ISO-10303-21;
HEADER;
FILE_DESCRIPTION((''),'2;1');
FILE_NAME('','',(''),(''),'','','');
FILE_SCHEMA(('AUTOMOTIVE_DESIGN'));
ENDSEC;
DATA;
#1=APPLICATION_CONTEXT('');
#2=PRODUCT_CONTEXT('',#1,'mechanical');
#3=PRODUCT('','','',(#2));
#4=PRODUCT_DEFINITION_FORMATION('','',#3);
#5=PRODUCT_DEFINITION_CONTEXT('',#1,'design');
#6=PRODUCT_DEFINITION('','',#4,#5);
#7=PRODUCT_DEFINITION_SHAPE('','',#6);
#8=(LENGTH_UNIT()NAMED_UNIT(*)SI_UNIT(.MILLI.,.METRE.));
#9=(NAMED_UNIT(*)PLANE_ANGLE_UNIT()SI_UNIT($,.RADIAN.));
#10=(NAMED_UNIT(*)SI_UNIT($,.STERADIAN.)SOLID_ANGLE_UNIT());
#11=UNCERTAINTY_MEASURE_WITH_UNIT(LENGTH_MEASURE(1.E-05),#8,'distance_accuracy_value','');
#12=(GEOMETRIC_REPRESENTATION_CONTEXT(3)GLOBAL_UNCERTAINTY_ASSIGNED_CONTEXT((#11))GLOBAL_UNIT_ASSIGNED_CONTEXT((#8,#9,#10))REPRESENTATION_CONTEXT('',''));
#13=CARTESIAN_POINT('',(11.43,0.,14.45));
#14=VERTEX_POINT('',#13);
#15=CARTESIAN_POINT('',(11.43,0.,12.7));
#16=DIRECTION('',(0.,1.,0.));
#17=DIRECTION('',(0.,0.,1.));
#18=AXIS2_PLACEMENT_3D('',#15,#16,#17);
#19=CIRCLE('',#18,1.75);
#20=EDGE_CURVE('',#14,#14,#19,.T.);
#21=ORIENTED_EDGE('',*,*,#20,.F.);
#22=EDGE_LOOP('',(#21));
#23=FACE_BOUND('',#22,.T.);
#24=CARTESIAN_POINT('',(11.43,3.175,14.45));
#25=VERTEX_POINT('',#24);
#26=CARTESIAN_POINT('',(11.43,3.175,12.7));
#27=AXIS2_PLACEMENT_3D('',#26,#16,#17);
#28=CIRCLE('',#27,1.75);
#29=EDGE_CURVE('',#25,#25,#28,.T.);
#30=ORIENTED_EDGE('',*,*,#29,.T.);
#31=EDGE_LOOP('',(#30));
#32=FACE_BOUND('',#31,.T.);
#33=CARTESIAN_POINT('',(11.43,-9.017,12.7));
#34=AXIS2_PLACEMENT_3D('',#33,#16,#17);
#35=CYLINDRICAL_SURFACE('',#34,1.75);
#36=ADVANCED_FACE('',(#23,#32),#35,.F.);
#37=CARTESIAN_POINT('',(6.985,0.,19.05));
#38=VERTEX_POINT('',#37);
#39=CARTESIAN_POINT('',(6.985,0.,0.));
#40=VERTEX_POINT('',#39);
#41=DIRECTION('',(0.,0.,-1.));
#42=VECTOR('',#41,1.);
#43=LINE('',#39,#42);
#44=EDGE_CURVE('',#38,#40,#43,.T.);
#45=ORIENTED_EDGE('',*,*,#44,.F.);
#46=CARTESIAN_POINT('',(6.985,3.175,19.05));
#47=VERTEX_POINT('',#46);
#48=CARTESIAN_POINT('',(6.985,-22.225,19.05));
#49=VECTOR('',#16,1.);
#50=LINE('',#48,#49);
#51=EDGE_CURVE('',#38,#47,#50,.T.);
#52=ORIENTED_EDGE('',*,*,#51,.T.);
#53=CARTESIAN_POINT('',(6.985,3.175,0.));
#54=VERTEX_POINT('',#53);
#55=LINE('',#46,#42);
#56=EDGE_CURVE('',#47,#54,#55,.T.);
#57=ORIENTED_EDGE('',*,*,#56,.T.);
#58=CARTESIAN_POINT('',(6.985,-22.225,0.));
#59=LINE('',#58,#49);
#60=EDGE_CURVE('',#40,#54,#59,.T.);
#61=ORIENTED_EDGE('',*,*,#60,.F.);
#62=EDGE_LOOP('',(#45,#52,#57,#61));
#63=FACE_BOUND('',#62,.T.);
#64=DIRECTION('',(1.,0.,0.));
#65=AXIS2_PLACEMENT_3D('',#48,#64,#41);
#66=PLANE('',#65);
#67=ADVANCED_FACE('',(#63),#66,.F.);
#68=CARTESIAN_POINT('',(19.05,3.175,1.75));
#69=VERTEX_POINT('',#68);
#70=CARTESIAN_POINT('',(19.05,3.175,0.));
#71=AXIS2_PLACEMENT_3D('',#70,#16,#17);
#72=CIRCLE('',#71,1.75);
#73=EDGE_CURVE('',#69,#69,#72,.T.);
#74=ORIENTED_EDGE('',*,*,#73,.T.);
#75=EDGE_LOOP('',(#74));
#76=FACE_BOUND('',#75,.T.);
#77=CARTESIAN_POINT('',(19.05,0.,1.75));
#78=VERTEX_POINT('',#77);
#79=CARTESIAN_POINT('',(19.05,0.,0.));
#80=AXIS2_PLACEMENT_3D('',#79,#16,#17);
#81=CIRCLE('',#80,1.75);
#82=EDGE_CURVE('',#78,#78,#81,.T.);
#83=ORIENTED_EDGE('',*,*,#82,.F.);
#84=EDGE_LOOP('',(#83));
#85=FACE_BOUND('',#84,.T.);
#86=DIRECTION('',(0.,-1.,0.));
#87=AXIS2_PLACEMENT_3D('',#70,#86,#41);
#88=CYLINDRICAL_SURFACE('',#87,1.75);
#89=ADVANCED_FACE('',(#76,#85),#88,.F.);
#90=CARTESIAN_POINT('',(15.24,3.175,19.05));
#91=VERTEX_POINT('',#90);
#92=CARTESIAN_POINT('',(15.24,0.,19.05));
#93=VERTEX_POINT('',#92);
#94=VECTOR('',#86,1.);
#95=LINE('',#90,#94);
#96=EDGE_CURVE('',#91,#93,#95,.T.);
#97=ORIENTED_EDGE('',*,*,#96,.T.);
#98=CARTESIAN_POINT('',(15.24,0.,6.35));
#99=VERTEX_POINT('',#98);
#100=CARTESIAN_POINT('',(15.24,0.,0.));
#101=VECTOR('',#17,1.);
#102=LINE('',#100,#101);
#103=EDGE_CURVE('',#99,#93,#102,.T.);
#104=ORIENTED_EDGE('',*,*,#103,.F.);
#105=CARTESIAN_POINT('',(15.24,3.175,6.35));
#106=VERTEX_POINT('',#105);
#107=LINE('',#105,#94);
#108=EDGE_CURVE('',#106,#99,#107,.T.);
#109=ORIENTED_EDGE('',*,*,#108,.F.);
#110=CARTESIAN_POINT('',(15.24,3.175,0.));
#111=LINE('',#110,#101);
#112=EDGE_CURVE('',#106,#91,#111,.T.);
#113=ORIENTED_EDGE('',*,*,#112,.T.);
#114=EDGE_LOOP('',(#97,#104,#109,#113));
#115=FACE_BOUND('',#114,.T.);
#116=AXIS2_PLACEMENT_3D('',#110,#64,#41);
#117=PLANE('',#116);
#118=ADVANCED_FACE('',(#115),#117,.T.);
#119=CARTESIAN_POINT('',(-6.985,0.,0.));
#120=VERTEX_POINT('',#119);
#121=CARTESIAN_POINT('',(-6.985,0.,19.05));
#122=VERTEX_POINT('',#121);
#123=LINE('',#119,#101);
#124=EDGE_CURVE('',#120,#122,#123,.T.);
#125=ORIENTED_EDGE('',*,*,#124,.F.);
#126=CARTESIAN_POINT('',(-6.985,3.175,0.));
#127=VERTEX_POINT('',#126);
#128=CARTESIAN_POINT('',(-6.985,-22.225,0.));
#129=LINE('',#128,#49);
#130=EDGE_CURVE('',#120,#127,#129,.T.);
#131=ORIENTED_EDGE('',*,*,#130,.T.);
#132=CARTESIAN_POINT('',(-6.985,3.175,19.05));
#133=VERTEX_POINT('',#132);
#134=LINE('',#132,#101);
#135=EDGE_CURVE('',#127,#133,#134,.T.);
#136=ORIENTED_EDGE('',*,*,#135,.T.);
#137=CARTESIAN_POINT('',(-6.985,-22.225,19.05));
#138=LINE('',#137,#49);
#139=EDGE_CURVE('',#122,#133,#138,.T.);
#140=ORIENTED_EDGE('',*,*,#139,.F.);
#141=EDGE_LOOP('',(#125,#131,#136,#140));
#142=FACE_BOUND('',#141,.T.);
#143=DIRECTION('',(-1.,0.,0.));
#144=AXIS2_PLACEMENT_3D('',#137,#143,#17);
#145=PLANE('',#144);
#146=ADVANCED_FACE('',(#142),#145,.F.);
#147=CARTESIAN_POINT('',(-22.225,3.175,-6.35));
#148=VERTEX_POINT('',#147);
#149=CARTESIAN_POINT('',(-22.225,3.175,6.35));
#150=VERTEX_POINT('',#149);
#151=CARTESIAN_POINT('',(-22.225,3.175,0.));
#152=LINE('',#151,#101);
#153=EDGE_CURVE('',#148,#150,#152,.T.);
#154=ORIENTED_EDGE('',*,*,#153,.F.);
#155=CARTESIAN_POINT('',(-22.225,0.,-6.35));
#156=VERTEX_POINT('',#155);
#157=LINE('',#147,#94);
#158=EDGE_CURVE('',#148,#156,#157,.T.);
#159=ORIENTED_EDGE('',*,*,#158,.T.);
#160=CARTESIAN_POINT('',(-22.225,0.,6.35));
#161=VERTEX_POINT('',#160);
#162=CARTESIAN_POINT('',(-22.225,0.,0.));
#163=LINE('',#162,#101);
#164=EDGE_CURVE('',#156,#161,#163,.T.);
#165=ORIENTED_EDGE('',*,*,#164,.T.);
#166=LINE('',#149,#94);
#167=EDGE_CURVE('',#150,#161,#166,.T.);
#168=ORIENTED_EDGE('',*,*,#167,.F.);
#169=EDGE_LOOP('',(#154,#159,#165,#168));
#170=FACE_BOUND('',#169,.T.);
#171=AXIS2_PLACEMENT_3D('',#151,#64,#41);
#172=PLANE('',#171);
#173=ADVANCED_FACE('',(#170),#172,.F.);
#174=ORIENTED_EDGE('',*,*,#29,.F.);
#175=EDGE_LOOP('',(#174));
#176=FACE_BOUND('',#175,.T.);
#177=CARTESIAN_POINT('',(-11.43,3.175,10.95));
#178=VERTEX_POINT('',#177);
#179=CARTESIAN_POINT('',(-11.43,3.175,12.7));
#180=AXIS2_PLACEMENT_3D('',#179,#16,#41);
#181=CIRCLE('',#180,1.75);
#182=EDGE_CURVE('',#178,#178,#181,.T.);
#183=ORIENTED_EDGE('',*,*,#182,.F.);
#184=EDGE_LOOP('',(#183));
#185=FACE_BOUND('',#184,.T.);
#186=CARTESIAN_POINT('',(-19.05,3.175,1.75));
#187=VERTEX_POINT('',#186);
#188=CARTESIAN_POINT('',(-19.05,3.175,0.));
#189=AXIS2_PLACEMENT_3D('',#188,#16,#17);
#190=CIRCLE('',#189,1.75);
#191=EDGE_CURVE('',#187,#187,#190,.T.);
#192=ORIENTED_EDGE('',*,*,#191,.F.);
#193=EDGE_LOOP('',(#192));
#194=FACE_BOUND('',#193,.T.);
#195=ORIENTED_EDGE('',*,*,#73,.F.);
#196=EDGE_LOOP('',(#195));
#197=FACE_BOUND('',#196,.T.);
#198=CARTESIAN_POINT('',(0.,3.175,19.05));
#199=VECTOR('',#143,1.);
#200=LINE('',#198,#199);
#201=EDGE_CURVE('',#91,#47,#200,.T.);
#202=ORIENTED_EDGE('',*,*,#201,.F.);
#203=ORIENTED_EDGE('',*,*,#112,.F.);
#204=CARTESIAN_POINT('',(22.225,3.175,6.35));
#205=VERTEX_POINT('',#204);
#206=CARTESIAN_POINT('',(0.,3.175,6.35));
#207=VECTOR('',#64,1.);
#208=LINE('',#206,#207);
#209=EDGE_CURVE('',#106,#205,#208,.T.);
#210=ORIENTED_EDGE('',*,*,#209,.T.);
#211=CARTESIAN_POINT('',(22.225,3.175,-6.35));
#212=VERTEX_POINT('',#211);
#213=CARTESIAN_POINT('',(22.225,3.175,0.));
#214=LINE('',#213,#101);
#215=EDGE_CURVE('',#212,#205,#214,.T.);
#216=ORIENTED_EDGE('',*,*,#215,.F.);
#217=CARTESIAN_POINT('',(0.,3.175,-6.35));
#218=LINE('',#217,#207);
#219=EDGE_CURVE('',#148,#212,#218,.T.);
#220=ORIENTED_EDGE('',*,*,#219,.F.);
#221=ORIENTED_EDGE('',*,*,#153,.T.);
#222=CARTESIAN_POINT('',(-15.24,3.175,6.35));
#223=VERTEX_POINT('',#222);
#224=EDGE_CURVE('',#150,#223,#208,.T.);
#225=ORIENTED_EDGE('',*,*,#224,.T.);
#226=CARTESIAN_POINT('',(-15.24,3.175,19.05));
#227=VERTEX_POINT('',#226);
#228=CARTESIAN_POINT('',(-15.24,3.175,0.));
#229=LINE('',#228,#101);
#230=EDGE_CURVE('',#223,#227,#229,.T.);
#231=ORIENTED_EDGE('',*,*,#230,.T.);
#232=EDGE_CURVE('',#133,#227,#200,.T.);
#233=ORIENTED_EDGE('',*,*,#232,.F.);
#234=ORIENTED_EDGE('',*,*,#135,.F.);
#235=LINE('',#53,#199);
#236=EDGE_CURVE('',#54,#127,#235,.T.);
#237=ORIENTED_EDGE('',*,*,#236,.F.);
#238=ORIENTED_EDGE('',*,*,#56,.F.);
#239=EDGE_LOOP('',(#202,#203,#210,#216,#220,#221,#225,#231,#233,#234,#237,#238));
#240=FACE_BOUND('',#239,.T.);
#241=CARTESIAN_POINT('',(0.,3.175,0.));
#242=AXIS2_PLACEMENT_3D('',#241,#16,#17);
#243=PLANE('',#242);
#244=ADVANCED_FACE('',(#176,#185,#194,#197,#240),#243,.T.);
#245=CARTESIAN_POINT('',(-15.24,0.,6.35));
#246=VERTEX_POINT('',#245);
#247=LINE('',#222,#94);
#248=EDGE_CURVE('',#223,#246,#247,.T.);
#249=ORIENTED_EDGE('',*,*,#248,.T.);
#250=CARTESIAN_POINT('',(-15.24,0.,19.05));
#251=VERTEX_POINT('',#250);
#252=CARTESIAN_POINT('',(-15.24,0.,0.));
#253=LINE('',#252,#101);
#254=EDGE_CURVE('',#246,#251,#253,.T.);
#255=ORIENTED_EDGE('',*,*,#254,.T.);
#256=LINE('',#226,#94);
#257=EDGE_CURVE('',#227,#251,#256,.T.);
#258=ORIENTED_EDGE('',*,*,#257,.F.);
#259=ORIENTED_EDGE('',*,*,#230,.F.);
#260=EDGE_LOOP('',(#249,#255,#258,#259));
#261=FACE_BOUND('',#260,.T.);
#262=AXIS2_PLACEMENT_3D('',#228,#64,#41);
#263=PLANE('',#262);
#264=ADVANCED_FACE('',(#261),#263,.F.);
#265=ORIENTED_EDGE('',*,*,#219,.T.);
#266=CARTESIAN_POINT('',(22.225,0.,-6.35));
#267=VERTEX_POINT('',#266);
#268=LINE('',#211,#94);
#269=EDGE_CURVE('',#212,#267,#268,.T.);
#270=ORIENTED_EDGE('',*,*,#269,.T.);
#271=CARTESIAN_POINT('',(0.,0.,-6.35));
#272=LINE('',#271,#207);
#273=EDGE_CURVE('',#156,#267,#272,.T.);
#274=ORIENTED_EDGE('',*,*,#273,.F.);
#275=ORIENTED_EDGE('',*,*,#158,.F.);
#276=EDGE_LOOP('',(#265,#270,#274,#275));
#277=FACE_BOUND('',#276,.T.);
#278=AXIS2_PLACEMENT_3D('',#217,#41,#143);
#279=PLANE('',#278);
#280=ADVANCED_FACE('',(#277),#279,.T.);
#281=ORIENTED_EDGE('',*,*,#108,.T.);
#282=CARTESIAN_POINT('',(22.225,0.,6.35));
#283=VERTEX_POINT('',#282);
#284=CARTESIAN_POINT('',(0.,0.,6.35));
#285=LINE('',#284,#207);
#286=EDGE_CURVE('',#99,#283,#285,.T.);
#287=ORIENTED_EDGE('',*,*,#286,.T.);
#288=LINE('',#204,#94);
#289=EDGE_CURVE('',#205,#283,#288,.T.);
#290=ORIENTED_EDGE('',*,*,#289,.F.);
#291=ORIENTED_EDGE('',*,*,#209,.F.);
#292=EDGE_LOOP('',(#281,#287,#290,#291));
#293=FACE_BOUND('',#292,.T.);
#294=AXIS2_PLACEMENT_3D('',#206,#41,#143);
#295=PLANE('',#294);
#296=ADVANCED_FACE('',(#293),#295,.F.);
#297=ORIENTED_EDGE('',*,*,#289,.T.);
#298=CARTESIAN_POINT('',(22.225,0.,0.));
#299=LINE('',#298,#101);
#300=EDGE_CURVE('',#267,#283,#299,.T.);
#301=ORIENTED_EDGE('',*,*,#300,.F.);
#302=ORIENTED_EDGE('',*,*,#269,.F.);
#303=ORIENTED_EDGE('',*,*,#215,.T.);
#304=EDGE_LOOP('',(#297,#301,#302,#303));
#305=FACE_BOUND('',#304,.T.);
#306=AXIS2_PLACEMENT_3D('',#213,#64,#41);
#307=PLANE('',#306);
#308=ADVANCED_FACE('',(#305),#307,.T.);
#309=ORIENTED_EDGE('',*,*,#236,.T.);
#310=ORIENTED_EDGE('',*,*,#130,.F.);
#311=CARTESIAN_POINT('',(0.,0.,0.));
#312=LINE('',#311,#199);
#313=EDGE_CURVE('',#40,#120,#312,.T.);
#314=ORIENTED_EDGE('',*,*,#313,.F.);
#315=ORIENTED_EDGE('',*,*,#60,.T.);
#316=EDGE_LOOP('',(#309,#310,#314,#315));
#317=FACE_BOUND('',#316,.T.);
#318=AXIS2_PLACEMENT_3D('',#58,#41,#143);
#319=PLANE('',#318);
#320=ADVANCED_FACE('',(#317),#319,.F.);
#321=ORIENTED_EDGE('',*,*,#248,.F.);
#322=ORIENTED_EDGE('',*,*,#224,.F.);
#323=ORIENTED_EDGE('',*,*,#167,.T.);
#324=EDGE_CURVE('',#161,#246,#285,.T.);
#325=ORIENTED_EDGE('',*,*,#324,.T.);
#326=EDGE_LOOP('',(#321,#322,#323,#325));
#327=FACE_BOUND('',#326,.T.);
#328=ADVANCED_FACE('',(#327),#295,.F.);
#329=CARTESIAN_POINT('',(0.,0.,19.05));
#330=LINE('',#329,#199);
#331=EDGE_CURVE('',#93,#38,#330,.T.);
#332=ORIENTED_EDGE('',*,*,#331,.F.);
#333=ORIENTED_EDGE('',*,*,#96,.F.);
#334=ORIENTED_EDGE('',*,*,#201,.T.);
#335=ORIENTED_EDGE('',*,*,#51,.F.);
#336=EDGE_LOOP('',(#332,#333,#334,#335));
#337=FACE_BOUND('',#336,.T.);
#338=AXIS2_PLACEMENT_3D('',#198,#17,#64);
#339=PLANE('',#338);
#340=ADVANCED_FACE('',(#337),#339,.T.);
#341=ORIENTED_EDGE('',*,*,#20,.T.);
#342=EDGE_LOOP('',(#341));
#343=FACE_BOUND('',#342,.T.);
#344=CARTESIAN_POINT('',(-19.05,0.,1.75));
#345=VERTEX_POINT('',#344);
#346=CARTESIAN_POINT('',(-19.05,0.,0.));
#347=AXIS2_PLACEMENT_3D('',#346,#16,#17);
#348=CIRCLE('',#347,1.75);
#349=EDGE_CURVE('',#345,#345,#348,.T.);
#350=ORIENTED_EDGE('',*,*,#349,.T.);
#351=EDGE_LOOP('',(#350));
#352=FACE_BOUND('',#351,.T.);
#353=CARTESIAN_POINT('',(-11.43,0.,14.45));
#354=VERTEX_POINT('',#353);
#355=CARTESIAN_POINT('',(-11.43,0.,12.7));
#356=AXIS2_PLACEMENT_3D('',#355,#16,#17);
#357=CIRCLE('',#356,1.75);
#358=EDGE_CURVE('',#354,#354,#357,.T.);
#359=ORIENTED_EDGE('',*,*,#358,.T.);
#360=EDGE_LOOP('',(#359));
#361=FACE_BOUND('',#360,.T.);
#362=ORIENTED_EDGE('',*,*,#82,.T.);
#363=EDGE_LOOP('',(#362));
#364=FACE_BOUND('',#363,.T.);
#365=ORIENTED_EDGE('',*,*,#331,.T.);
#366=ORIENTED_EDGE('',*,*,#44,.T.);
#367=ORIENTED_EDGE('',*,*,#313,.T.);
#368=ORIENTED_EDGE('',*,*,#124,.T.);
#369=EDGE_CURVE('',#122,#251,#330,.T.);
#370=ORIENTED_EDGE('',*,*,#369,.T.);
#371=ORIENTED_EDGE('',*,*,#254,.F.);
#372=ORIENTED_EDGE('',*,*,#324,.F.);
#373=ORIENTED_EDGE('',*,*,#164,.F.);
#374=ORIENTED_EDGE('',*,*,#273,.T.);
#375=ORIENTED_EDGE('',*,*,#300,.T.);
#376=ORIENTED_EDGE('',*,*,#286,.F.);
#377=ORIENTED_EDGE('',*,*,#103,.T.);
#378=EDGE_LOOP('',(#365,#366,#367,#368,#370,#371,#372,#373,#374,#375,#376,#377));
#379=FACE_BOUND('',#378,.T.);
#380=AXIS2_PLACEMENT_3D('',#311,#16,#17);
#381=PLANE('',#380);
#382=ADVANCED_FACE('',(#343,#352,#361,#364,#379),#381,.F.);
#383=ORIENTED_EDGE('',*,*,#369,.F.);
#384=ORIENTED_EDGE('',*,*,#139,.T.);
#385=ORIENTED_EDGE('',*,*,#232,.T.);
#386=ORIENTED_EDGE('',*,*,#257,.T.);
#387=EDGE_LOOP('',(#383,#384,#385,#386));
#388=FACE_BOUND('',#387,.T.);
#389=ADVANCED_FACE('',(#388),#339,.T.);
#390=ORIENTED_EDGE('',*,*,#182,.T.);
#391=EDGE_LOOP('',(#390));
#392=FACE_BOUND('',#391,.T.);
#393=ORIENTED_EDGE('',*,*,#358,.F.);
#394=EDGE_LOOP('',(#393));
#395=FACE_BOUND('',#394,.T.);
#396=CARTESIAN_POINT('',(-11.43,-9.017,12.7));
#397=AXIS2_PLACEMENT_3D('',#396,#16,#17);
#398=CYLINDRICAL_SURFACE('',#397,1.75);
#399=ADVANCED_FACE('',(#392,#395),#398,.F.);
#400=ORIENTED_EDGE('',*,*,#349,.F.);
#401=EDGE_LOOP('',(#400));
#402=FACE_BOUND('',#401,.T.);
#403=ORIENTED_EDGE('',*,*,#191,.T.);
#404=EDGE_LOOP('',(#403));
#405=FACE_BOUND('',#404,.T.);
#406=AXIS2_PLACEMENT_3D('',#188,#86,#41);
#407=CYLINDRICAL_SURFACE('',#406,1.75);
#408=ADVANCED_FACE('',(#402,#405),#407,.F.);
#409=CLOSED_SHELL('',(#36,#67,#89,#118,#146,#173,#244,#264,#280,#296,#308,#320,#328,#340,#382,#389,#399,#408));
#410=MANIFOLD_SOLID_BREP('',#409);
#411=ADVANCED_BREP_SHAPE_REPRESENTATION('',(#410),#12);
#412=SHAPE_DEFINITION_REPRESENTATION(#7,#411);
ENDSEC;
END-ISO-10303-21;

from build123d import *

# Parameters (mm, degrees)
SKETCH1_W           = 44.45
SKETCH1_H           = 12.7
SKETCH1_R           = 1.75
SKETCH1_W_2         = 30.48
BOSS_EXTRUDE1_DEPTH = 3.175
SKETCH2_R           = 1.75
CUT_EXTRUDE1_DEPTH  = 12.192
SKETCH3_W           = 13.97
SKETCH3_H           = 19.05
CUT_EXTRUDE2_DEPTH  = 25.4


with BuildPart() as part:
    # Sketch1 → Boss-Extrude1 (new body)
    # profile 1 of 2: a face of its own
    with BuildSketch(Plane(origin=(0, 0, 0), x_dir=(-1, 0, 0), z_dir=(0, 1, 0))):
        Rectangle(SKETCH1_W, SKETCH1_H)
        with Locations(Location((19.05, 0, 0), (0, 0, 90))):
            Circle(SKETCH1_R, mode=Mode.SUBTRACT)
        with Locations(Location((-19.05, 0, 0), (0, 0, 90))):
            Circle(SKETCH1_R, mode=Mode.SUBTRACT)
    # profile 2 of 2: a face of its own
    with BuildSketch(Plane(origin=(0, 0, 0), x_dir=(-1, 0, 0), z_dir=(0, 1, 0))):
        with Locations((0, 12.7)):
            Rectangle(SKETCH1_W_2, SKETCH1_H)
    extrude(amount=BOSS_EXTRUDE1_DEPTH)

    # Sketch2 → Cut-Extrude1 (cut)
    with BuildSketch(Plane(origin=(0, 3.175, 0), x_dir=(-1, 0, 0), z_dir=(0, 1, 0))):
        with Locations(Location((-11.43, 12.7, 0), (0, 0, 90))):
            Circle(SKETCH2_R)
        with Locations(Location((11.43, 12.7, 0), (0, 0, 90))):
            Circle(SKETCH2_R)
    extrude(amount=-CUT_EXTRUDE1_DEPTH, mode=Mode.SUBTRACT)

    # Sketch3 → Cut-Extrude2 (cut)
    with BuildSketch(Plane(origin=(0, 3.175, 0), x_dir=(-1, 0, 0), z_dir=(0, 1, 0))):
        with Locations((0, 9.525)):
            Rectangle(SKETCH3_W, SKETCH3_H)
    extrude(amount=-CUT_EXTRUDE2_DEPTH, mode=Mode.SUBTRACT)


solid = part.part
